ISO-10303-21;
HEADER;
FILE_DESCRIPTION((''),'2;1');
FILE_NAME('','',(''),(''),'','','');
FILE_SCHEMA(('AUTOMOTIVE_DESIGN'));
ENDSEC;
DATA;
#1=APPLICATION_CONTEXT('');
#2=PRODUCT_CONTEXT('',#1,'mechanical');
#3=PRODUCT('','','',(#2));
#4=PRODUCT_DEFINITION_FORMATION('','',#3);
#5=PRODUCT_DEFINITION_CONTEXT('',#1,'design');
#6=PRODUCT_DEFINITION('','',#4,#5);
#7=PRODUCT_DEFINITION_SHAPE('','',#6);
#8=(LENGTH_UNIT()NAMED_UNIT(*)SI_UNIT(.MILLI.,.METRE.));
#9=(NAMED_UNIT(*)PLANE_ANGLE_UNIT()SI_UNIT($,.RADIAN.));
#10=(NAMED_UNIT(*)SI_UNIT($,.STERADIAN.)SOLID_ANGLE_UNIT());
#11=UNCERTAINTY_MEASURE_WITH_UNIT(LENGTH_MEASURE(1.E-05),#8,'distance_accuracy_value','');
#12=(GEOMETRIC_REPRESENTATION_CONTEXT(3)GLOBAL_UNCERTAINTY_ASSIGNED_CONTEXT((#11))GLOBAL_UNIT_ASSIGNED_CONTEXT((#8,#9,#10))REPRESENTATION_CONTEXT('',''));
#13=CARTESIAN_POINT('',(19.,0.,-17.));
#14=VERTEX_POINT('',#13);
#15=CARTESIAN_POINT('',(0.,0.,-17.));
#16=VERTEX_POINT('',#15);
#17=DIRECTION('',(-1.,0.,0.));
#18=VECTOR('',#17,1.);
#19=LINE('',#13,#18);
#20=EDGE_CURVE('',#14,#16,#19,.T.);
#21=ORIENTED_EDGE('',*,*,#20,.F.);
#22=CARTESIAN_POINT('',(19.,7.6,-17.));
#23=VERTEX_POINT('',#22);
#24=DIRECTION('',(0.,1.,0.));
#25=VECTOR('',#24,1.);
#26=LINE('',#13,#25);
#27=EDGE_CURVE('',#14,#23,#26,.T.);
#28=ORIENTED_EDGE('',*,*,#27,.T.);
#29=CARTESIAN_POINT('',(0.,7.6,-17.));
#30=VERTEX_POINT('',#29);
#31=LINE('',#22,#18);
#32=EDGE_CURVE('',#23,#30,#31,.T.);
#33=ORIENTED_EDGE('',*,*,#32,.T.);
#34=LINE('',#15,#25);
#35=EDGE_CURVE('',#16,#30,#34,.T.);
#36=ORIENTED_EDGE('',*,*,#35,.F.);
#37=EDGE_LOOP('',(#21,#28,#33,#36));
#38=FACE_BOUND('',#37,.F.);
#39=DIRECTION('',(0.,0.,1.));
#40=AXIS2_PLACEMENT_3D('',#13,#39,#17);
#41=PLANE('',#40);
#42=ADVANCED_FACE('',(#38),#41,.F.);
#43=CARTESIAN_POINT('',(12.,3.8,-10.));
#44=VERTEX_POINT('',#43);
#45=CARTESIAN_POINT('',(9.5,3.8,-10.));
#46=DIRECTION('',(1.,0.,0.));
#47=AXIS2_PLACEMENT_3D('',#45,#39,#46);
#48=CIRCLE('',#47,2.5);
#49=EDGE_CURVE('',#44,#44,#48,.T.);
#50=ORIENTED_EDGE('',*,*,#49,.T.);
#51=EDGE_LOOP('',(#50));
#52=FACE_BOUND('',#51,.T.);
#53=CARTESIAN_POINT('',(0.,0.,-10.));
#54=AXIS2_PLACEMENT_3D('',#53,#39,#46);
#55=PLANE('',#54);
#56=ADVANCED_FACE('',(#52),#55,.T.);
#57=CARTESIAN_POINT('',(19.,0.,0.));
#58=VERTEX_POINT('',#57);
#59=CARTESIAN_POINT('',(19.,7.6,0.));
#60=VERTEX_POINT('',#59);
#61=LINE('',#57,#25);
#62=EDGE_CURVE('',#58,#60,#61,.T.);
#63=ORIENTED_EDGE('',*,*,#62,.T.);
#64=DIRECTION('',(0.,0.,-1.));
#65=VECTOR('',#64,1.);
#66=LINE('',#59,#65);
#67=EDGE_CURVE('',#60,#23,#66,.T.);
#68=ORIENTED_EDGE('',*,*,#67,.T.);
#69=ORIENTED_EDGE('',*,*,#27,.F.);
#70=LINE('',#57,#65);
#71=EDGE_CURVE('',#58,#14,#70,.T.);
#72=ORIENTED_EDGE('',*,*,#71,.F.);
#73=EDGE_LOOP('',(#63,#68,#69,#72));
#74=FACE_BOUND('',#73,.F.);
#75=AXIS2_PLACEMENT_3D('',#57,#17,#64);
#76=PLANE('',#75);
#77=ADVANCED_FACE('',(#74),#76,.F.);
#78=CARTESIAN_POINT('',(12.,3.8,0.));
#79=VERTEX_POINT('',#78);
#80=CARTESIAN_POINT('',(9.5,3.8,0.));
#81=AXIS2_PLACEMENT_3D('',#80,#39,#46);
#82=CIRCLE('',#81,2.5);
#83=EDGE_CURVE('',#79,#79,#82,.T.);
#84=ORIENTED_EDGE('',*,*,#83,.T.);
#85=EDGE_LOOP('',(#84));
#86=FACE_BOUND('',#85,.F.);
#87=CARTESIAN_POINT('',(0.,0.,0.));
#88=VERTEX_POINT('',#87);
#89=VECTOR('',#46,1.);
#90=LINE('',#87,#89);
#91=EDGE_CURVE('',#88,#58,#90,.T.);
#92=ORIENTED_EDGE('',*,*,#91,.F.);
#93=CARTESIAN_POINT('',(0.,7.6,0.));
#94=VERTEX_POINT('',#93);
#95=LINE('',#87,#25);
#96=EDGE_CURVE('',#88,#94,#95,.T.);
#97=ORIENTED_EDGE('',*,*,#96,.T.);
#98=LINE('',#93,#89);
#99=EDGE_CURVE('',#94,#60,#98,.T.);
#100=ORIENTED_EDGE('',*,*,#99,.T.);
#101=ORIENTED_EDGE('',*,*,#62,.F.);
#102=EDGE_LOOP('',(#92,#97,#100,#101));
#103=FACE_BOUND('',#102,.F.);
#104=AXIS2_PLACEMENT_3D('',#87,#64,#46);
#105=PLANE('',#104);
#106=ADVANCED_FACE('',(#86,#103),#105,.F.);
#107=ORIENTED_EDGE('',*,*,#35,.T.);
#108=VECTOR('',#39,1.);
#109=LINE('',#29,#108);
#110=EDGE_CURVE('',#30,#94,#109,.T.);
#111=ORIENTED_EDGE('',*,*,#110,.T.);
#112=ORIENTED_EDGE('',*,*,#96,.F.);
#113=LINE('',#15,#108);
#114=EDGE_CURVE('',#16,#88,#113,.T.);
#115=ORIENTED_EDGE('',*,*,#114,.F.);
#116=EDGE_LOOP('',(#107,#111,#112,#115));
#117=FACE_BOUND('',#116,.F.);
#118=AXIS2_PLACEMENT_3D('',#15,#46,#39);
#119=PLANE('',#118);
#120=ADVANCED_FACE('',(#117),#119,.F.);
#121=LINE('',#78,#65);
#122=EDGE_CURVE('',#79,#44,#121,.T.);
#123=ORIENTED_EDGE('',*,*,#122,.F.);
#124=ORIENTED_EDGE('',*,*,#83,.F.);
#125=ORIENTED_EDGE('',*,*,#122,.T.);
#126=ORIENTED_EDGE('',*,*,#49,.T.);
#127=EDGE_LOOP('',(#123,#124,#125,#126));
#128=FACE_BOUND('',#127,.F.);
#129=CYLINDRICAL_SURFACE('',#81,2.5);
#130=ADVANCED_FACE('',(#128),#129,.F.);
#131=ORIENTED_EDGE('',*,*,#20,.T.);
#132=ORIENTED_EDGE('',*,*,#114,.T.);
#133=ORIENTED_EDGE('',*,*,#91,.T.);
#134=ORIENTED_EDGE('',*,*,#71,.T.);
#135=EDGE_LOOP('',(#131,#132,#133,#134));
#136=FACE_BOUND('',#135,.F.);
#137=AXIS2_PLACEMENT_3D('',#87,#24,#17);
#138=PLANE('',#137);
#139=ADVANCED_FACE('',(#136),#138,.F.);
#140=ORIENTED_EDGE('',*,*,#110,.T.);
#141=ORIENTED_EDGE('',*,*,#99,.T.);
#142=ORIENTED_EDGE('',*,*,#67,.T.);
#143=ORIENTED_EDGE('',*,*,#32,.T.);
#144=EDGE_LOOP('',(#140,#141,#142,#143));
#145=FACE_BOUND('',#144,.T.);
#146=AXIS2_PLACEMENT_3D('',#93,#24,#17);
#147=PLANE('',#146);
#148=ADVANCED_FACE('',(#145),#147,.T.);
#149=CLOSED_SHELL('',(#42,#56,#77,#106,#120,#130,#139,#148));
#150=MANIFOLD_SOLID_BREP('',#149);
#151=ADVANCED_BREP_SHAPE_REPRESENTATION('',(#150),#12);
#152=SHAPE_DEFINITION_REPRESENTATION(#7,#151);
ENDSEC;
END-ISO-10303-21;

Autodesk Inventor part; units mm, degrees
ref_plane "YZ Plane" through (0, 0, 0) normal (1, 0, 0) x (0, 1, 0)
ref_plane "XZ Plane" through (0, 0, 0) normal (0, 1, 0) x (-1, 0, 0)
ref_plane "XY Plane" through (0, 0, 0) normal (0, 0, 1) x (1, 0, 0)
sketch "스케치1" plane through (0, 0, 0) normal (0, 1, 0) x (-1, 0, 0)
  line L0 (0, 0) -> (-19, 0)
  line L1 (-19, 0) -> (-19, -17)
  line L2 (-19, -17) -> (0, -17)
  line L3 (0, -17) -> (0, 0)
  dimension "d0" = 17
  dimension "d1" = 19
extrude "돌출1" add sketch "스케치1" along normal blind 7.6
sketch "스케치2" plane through (0, 0, 0) normal (0, 0, 1) x (1, 0, 0)
  circle A0 centre (9.5, 3.8) radius 2.5
  line L0 (0, 7.6) -> (19, 7.6) projected
  line L1 (19, 0) -> (19, 7.6) projected
  point P0 (0, 0)
  point P1 (9.5, 7.6)
  point P2 (19, 3.8)
  dimension "d4" = 5
extrude "돌출2" cut sketch "스케치2" against normal blind 10
properties part number "loadcell"
